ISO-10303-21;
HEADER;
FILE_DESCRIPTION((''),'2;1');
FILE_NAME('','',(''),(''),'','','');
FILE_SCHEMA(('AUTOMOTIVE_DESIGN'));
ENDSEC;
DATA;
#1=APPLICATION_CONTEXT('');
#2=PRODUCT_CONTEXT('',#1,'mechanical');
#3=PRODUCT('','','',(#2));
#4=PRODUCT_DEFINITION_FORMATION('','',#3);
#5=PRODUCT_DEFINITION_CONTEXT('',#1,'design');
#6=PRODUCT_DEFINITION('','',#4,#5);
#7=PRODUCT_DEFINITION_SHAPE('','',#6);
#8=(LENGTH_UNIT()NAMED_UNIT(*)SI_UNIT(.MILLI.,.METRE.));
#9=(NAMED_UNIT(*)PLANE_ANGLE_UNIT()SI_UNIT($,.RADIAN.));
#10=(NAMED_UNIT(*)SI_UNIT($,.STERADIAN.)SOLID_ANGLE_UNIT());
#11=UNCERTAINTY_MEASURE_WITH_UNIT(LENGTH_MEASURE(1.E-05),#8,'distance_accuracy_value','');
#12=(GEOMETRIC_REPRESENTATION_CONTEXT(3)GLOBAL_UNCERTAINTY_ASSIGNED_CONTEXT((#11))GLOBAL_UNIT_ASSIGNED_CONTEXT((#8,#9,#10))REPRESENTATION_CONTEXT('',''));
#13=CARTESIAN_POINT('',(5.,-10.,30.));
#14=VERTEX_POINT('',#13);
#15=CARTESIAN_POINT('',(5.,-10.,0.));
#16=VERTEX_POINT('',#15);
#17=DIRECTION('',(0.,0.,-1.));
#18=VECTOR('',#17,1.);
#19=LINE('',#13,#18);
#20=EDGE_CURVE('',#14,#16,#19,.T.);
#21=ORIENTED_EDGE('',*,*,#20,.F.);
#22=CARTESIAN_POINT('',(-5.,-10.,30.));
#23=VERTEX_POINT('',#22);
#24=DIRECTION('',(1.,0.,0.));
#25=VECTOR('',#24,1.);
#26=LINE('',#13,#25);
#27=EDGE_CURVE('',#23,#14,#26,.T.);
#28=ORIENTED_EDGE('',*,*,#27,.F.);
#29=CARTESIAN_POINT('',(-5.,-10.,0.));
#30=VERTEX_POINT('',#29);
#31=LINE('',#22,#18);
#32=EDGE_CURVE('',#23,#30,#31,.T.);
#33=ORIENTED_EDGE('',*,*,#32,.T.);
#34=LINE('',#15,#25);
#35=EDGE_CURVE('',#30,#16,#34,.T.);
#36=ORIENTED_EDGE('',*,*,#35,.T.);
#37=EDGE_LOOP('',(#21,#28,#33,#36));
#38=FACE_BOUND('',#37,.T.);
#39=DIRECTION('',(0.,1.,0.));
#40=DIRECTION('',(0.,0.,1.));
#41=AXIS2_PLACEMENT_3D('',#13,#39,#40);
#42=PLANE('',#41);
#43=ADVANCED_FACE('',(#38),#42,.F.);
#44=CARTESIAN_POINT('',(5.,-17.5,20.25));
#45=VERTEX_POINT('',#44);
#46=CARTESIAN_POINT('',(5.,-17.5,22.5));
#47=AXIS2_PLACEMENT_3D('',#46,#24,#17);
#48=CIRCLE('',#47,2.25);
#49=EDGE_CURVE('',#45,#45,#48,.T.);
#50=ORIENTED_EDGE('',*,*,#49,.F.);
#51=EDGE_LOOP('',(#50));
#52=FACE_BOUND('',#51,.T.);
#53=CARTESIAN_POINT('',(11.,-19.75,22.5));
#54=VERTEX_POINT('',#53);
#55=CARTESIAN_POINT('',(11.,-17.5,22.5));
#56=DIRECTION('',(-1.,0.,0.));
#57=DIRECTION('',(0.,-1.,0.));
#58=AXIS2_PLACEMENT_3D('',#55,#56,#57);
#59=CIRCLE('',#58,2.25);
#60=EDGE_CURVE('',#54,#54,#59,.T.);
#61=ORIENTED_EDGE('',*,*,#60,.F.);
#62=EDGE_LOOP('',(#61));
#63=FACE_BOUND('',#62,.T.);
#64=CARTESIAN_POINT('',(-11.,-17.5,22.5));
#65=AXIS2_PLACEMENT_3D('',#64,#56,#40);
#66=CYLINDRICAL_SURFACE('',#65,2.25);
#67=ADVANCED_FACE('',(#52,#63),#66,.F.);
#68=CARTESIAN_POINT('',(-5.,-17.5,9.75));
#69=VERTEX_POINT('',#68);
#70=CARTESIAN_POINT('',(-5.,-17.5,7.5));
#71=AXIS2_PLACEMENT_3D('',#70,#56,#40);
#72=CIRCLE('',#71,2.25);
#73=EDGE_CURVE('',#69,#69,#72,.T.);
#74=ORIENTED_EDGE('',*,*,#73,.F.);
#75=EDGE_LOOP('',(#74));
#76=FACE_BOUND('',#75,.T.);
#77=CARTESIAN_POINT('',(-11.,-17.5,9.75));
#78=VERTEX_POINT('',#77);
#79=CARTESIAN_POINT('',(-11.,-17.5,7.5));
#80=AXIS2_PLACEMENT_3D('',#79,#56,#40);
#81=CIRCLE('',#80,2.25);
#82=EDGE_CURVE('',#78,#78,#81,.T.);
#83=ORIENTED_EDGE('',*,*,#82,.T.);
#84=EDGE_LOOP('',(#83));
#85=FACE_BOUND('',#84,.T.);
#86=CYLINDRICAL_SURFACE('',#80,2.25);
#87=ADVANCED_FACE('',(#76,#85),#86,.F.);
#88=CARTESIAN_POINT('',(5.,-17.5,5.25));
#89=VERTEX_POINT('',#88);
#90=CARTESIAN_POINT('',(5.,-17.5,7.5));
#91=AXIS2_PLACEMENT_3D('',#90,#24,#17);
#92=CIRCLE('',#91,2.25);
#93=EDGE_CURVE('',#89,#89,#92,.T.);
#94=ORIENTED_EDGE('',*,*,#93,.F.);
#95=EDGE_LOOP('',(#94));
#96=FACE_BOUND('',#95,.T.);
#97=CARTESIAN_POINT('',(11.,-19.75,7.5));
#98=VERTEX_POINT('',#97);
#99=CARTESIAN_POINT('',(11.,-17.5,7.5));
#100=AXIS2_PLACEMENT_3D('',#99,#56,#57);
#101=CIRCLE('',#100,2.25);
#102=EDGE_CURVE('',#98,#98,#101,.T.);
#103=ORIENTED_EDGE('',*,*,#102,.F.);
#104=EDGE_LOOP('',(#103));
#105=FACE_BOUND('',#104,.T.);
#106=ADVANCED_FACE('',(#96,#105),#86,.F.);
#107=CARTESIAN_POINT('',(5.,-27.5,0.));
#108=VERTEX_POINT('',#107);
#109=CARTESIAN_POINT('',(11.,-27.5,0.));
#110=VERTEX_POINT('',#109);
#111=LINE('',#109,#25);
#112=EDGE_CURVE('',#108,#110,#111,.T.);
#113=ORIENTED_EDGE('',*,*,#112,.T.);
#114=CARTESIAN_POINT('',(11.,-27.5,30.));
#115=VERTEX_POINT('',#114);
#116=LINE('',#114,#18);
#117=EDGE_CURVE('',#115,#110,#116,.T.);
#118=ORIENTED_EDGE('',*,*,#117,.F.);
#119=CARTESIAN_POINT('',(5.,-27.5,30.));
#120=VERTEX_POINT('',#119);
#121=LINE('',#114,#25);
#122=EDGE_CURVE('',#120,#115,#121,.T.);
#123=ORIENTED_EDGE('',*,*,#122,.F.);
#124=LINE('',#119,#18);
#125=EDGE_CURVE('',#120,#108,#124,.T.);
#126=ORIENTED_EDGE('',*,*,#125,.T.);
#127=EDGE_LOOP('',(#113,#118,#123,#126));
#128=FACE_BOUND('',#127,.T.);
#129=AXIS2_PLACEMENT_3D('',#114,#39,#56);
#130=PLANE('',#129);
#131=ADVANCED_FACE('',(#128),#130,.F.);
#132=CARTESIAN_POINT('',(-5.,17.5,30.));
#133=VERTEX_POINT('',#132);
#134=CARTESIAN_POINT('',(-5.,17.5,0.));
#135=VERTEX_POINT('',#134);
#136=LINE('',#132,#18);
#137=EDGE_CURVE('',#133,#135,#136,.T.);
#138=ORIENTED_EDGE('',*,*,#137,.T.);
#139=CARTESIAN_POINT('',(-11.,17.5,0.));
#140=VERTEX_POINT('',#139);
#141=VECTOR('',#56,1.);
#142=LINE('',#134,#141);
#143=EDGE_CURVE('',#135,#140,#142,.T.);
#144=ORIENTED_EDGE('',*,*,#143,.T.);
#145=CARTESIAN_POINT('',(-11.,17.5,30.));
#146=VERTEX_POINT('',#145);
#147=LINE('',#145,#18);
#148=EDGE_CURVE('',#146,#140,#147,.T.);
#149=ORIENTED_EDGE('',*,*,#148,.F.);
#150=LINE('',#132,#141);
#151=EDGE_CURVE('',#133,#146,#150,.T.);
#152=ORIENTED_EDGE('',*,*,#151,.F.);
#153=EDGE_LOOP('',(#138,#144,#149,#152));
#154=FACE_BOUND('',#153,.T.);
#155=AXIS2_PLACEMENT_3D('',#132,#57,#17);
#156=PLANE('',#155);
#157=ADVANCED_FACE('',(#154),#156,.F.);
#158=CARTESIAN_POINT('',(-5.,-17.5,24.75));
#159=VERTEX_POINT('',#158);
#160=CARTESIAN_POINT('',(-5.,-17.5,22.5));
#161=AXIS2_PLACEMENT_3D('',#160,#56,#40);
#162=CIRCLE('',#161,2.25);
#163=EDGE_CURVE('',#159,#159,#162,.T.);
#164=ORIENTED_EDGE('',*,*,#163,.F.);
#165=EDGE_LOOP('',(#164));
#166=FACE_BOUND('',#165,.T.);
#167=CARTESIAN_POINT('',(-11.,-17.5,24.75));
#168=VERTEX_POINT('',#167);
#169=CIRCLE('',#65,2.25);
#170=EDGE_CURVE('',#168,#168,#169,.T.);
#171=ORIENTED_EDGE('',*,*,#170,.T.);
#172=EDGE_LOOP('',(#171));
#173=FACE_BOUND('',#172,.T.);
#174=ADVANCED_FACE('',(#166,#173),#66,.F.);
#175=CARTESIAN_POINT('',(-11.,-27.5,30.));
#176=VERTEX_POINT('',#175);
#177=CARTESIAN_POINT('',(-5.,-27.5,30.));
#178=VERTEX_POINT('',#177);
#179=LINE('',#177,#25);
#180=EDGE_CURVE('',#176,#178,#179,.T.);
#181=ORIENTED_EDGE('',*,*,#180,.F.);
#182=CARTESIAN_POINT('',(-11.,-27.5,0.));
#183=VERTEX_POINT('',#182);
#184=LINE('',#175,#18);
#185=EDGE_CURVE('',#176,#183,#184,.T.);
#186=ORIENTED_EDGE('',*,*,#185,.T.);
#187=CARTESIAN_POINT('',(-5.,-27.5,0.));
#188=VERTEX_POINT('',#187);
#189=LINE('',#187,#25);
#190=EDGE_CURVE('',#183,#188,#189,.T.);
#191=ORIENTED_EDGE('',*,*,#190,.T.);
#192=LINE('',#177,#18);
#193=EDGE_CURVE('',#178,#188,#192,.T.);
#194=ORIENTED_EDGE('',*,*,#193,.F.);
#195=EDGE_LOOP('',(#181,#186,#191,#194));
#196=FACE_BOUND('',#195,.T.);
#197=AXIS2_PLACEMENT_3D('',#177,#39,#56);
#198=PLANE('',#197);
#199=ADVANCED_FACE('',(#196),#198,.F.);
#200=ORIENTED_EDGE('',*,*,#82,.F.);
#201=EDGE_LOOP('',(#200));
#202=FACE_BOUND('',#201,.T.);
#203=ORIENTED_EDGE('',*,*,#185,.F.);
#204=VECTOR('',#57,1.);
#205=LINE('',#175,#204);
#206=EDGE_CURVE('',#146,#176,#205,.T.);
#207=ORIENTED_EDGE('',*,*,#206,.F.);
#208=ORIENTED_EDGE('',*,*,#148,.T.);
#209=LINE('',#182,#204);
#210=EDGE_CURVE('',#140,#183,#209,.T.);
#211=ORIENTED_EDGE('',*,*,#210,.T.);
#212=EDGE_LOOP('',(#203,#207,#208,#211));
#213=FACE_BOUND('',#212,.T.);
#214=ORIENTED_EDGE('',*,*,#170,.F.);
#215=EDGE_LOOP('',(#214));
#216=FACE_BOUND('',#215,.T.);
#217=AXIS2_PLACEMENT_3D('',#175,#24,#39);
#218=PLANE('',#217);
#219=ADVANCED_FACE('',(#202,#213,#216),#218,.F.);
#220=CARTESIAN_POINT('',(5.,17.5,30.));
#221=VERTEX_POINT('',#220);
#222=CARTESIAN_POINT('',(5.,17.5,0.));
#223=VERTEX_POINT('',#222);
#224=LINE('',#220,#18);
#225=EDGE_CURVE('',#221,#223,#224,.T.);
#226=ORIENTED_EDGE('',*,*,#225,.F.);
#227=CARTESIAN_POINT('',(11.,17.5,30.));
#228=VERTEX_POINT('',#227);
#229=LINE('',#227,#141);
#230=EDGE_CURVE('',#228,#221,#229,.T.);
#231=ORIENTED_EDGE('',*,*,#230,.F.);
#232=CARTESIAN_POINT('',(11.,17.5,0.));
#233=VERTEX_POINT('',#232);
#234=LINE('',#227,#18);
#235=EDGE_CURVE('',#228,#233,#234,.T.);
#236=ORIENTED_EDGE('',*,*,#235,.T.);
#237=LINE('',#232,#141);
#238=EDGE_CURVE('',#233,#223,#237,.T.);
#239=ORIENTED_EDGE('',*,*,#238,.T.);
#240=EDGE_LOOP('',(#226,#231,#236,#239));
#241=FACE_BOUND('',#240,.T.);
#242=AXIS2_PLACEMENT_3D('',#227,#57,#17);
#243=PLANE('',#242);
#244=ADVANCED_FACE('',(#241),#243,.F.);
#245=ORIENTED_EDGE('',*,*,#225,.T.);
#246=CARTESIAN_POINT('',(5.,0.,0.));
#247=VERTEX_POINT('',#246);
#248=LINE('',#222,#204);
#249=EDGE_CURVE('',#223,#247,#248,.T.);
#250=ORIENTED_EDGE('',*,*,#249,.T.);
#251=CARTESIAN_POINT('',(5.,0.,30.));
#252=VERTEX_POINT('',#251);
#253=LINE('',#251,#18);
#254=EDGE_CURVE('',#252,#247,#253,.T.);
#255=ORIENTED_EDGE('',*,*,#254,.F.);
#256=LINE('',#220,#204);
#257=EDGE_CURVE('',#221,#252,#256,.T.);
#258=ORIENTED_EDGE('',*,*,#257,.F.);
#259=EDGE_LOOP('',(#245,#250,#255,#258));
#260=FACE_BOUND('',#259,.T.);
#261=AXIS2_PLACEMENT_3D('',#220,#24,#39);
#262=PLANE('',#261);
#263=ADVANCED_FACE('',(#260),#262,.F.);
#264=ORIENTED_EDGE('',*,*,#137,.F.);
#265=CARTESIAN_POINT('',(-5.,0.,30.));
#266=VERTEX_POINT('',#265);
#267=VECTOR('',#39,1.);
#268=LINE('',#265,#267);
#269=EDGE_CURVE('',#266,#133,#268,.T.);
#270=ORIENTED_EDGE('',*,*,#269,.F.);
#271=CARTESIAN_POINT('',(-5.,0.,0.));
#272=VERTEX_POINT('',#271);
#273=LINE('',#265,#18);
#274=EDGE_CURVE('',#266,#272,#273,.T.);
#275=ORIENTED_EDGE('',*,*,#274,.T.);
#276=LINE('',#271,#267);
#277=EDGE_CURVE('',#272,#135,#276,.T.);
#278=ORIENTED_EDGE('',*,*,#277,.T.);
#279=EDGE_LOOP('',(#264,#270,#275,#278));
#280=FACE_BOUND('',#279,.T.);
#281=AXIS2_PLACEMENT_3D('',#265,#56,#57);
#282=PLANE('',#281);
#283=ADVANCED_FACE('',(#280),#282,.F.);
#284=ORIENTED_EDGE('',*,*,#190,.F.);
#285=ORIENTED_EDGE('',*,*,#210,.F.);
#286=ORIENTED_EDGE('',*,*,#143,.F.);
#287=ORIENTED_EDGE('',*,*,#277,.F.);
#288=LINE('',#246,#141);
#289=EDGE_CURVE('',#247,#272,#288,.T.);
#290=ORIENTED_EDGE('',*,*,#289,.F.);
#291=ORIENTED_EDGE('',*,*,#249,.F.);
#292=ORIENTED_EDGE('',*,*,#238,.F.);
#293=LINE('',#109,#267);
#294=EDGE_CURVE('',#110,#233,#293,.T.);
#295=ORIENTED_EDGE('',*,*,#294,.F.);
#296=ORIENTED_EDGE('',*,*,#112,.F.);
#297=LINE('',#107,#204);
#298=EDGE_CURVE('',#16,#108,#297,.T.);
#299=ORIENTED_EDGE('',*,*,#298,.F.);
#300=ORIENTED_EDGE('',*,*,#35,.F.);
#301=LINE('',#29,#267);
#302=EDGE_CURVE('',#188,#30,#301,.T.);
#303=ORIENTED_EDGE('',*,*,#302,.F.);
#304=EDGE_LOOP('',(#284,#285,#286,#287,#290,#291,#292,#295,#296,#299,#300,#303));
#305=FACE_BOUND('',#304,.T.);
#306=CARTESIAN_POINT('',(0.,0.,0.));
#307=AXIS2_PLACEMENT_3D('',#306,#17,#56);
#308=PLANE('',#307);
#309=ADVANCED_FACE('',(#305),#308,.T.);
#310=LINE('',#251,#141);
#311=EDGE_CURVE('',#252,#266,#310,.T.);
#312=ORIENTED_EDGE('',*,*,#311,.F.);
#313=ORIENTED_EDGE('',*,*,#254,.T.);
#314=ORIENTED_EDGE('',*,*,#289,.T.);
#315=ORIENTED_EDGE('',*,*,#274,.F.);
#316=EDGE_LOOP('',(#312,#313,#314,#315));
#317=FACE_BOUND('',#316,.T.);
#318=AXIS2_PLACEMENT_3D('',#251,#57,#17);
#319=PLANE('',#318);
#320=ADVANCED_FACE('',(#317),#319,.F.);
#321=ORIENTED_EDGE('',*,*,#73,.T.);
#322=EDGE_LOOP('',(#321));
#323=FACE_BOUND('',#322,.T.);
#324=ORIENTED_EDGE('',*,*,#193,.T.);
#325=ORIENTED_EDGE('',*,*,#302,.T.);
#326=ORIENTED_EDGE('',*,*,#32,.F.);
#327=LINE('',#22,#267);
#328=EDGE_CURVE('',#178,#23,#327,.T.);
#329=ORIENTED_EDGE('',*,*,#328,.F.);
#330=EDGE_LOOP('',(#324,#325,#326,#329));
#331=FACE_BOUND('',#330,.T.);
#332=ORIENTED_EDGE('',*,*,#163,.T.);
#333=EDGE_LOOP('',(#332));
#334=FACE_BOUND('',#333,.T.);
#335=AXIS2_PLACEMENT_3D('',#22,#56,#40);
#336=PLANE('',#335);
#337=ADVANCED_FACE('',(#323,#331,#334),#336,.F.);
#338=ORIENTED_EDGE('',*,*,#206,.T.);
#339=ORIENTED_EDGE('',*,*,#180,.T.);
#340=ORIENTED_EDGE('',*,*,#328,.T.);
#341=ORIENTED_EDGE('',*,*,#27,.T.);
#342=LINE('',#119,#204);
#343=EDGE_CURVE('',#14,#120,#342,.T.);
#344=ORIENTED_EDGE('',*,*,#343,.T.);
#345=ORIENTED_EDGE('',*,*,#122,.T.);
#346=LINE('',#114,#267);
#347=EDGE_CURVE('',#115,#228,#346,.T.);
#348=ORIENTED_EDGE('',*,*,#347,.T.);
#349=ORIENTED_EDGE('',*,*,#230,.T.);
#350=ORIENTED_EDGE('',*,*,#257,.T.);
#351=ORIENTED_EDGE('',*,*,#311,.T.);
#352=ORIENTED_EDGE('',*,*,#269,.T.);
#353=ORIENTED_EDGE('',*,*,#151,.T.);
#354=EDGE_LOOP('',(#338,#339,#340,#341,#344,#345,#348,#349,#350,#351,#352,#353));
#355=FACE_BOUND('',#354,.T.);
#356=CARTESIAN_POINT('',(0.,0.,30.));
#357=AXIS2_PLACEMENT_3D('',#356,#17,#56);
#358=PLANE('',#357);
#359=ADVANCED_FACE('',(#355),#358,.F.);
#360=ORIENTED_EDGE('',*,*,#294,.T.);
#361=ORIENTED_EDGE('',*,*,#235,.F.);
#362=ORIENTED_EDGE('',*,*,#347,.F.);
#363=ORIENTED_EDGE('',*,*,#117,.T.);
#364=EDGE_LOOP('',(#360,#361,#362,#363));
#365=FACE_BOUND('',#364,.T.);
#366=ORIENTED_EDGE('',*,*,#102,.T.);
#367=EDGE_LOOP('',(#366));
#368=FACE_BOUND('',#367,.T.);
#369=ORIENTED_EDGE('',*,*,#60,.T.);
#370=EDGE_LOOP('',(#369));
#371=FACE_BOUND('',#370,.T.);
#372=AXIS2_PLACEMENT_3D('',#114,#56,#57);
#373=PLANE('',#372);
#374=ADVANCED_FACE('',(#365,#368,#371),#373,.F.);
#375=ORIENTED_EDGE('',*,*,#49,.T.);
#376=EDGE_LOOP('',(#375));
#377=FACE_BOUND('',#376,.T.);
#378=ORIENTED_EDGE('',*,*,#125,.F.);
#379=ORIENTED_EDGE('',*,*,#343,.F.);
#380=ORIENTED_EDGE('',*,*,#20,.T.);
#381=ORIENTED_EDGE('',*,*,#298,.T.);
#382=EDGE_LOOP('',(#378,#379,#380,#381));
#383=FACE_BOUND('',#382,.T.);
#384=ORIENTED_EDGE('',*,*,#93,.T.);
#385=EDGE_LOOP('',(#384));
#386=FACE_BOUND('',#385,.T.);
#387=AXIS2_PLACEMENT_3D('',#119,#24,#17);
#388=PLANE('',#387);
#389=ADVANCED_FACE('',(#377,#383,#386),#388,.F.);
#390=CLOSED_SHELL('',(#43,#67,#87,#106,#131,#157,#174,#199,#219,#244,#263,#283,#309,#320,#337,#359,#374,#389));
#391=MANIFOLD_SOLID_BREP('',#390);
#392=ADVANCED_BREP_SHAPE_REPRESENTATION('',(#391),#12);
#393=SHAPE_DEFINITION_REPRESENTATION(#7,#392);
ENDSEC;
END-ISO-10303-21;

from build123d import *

# Parameters (mm, degrees)
ESTRUSIONE_ESTRUSIONE1_DEPTH = 30
FORO_PER_VITE_M4_1_D         = 4.5
FORO_PER_VITE_M4_1_DEPTH     = 30
FORO_PER_VITE_M4_1_TIP       = 1.351936393


with BuildPart() as part:
    # Schizzo1 → Estrusione-Estrusione1 (new body)
    with BuildSketch(Plane.XY):
        Polygon((11, -27.5), (11, 17.5), (5, 17.5), (5, 0), (-5, 0), (-5, 17.5), (-11, 17.5), (-11, -27.5), (-5, -27.5), (-5, -10), (5, -10), (5, -27.5), align=None)
    extrude(amount=ESTRUSIONE_ESTRUSIONE1_DEPTH)

    # Foro per Vite M4-1
    with Locations(Plane(origin=(-11, -17.5, 22.5), x_dir=(0, -1, 0), z_dir=(-1, 0, 0))):
        with Locations((0, 0), (0, -15)):
            Hole(FORO_PER_VITE_M4_1_D / 2, depth=FORO_PER_VITE_M4_1_DEPTH)
            with Locations((0, 0, -(FORO_PER_VITE_M4_1_DEPTH + FORO_PER_VITE_M4_1_TIP / 2))):  # 118° drill point
                Cone(0, FORO_PER_VITE_M4_1_D / 2, FORO_PER_VITE_M4_1_TIP, mode=Mode.SUBTRACT)


solid = part.part
